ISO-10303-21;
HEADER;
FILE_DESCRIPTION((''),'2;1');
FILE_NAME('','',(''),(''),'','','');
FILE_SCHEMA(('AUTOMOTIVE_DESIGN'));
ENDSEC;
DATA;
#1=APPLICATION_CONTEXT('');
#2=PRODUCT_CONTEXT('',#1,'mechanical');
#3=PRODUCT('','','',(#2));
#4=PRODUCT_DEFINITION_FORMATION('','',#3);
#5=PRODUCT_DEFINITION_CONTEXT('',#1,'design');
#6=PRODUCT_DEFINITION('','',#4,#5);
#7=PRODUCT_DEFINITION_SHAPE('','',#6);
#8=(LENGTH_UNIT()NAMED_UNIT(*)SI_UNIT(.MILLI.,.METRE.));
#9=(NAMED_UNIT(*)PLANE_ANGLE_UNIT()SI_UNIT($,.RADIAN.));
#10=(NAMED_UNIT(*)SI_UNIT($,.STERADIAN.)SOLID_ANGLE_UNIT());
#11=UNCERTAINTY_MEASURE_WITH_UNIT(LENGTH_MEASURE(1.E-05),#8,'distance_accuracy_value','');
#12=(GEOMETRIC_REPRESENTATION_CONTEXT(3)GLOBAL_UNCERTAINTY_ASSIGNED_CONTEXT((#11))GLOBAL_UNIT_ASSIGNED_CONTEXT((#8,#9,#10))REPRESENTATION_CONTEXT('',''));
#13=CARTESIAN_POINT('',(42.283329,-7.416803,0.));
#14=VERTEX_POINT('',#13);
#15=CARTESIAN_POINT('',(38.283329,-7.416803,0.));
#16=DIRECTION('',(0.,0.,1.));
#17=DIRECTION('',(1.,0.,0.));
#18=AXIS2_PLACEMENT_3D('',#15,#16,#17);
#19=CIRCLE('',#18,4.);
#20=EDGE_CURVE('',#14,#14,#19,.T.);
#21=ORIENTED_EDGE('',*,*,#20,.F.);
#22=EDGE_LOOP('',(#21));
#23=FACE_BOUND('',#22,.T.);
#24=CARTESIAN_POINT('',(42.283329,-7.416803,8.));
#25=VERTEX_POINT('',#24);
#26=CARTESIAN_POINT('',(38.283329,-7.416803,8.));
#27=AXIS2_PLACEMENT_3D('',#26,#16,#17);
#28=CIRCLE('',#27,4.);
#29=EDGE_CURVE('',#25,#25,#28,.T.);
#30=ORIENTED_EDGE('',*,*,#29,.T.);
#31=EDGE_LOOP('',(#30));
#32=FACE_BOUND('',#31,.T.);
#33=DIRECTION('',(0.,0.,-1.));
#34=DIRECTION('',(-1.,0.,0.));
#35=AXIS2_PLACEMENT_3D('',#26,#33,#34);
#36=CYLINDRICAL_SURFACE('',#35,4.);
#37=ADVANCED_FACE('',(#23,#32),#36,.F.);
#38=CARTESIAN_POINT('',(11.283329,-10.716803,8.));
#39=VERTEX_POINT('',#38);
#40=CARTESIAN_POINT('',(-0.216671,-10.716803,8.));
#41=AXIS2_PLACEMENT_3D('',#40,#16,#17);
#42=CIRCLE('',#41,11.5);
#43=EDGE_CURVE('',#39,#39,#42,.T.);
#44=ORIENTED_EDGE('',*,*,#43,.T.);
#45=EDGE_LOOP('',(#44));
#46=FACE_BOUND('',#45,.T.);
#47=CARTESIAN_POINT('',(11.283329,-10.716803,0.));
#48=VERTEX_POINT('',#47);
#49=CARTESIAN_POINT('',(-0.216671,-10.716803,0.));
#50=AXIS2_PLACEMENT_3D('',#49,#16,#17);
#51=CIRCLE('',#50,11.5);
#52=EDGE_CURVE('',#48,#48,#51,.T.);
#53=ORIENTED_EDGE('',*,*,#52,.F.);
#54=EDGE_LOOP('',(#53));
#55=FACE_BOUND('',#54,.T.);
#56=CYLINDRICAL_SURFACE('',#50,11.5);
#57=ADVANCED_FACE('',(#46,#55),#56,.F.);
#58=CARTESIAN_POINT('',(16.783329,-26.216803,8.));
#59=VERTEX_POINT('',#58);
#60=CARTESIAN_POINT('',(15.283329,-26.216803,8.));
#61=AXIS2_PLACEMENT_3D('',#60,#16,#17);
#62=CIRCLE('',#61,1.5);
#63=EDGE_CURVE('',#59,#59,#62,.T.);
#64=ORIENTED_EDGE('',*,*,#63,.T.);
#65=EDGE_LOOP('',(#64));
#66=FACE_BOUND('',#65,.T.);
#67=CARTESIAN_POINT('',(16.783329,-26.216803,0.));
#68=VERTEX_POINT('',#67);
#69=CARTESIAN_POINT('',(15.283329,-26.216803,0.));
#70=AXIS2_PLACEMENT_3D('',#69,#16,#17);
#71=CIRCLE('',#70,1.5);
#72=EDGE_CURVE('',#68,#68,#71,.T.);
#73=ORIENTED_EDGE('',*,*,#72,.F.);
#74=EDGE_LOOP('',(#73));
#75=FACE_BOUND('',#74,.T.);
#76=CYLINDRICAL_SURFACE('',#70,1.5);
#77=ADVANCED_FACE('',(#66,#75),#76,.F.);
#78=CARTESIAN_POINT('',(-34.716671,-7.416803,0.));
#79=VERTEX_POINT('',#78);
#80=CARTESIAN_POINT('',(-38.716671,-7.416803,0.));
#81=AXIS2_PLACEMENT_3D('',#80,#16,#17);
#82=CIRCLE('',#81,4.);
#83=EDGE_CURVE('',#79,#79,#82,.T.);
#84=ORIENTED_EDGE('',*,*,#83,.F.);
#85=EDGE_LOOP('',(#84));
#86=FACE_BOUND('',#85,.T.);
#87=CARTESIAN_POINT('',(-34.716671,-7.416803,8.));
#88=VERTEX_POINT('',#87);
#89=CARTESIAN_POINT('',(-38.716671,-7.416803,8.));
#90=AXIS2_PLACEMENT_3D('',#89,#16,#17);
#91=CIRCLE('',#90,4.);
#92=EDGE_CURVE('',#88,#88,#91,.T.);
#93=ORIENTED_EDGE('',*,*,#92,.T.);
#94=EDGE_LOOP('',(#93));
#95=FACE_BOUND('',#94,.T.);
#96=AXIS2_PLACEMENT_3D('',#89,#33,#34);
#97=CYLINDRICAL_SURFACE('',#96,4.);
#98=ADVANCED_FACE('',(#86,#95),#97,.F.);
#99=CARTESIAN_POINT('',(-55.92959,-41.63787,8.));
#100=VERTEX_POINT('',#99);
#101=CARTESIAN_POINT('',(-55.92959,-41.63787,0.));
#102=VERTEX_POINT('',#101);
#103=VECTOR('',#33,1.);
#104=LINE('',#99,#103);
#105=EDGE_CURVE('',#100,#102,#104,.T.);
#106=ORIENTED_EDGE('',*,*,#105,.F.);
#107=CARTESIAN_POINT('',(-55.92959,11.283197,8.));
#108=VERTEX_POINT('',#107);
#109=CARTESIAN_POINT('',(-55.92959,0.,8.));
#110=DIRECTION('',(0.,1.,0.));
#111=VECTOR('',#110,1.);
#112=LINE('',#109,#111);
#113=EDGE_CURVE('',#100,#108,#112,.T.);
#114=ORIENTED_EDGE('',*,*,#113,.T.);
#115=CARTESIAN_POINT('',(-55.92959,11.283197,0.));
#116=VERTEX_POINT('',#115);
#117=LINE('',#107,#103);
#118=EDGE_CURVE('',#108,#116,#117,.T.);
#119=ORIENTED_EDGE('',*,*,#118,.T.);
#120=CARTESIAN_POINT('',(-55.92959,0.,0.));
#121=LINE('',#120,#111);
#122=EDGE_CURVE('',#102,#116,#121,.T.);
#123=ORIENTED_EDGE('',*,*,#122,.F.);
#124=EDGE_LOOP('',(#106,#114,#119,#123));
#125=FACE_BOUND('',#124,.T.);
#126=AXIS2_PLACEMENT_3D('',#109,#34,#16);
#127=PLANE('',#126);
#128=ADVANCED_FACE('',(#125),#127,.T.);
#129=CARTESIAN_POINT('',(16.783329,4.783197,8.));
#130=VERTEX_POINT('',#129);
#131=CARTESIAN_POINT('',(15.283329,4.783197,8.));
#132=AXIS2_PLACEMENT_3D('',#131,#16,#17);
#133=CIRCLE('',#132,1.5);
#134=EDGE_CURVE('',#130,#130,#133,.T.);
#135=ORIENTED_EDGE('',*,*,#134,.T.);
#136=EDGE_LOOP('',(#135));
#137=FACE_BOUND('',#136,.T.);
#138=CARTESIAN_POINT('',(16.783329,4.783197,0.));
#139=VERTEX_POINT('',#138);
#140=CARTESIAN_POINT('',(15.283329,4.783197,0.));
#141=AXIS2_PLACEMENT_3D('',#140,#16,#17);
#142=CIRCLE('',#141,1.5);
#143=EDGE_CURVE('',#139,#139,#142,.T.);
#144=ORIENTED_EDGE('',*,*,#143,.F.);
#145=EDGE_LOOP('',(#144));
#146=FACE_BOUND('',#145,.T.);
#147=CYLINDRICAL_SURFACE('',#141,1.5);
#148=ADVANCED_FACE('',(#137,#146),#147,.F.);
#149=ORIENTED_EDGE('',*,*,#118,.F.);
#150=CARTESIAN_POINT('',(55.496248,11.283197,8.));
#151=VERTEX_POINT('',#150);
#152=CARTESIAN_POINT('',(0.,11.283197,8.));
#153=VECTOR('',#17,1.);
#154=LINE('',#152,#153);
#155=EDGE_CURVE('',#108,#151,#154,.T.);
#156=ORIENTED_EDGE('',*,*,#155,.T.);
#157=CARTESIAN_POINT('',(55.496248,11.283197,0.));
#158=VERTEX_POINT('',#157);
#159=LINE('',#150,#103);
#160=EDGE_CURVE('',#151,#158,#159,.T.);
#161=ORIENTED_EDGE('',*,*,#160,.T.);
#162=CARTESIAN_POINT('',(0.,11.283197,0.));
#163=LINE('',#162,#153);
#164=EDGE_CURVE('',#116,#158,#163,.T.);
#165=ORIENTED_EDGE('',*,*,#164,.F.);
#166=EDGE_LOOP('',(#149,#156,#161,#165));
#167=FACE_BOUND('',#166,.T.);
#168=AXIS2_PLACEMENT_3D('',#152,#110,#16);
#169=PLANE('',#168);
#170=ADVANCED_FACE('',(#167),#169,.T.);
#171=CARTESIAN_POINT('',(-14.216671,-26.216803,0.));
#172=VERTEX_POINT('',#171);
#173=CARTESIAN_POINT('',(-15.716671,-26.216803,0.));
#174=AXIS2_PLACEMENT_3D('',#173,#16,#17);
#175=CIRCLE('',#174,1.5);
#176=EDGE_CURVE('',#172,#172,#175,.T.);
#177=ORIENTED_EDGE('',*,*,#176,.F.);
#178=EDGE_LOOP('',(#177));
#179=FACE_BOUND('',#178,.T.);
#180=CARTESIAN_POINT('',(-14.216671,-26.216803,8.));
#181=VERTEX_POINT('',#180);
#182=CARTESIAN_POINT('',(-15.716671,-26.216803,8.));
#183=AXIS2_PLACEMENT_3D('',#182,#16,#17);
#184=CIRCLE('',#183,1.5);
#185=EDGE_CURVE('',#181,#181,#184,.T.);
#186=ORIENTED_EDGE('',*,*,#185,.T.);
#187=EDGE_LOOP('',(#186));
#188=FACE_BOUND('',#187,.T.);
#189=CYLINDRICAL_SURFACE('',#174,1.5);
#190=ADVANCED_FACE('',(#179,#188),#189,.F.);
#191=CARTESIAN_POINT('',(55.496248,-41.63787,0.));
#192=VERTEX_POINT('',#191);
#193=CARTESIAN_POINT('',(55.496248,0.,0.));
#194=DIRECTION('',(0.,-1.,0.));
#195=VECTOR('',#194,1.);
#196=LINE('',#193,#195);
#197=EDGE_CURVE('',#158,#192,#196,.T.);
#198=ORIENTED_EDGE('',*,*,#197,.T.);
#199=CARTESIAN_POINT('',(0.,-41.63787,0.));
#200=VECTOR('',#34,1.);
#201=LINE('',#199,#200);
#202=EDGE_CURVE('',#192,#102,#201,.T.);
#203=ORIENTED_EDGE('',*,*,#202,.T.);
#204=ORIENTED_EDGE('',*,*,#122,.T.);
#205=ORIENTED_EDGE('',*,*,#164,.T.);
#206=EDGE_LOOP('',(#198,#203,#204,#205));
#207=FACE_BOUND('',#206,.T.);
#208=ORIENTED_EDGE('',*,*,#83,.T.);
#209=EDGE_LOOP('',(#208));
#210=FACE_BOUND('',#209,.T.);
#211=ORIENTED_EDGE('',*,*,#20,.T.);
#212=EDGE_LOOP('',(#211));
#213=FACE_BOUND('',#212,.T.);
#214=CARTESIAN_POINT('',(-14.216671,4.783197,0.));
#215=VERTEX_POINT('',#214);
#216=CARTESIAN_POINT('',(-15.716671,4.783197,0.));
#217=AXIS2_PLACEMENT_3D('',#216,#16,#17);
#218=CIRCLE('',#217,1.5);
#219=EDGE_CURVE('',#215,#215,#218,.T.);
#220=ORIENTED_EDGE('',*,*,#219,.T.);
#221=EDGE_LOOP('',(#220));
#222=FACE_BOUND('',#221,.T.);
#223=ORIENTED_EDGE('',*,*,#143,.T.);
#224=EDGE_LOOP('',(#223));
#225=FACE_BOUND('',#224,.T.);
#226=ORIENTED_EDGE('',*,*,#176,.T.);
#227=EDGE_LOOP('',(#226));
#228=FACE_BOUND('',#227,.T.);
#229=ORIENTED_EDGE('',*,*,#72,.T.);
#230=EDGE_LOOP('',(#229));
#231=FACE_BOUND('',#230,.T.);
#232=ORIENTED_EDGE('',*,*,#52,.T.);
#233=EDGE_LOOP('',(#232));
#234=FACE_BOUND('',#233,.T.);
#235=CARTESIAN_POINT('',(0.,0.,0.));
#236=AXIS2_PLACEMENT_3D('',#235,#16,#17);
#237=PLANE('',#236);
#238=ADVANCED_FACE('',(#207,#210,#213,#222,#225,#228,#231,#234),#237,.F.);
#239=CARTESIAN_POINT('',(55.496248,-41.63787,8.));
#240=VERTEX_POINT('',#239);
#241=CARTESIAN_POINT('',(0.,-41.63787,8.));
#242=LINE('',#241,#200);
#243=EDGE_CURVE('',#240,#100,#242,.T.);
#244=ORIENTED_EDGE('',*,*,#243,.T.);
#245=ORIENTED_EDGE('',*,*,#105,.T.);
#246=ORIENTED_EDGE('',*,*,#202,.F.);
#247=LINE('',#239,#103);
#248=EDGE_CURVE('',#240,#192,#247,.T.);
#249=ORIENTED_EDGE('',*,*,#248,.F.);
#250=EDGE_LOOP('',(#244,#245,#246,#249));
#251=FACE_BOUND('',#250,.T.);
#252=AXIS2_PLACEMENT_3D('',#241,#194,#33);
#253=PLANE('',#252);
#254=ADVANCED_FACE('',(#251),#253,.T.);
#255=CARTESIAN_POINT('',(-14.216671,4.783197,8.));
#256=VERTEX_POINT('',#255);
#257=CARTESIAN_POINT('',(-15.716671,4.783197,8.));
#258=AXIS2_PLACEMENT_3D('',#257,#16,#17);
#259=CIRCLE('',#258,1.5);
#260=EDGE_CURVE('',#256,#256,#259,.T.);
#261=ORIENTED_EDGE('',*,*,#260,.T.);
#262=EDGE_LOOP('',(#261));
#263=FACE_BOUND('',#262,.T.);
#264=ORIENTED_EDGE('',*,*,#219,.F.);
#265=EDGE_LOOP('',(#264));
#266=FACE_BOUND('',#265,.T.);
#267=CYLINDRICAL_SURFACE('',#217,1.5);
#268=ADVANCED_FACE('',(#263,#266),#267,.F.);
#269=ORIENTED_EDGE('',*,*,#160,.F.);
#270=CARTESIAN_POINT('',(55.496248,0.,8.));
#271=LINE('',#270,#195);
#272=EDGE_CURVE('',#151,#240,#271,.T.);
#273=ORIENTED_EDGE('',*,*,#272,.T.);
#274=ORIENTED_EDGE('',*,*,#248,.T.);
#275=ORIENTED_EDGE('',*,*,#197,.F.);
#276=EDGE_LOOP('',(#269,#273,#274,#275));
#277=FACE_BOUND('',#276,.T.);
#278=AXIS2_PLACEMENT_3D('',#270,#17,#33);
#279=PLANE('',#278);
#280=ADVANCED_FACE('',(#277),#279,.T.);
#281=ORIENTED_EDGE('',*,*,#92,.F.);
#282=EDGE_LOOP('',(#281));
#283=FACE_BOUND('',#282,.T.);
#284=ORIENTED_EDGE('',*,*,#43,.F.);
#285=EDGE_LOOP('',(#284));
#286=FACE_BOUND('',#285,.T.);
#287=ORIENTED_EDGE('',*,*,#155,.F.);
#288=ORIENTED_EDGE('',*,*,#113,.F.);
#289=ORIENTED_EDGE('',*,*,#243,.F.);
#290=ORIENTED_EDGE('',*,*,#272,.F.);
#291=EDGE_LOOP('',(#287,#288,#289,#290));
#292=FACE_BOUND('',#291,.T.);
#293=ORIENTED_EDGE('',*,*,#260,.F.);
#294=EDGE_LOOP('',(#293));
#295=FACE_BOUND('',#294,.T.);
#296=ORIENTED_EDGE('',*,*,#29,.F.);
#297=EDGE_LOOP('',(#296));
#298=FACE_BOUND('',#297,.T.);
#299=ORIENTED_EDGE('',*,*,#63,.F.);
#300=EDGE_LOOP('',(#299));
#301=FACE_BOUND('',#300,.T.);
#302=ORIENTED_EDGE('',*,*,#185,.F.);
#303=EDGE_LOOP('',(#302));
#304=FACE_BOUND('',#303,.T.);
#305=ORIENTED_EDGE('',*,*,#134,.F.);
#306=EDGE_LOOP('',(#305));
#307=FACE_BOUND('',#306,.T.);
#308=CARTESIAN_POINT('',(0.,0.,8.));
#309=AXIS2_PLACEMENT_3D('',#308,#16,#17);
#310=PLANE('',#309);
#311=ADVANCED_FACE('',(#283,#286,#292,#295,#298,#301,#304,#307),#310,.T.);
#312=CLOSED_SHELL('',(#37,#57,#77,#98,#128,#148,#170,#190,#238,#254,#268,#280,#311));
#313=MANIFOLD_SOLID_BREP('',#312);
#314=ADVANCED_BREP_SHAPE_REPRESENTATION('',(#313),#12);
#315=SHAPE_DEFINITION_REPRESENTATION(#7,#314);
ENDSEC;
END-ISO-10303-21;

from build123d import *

# Parameters (mm, degrees)
SKETCH1_R           = 4
SKETCH1_R_2         = 5
BOSS_EXTRUDE1_DEPTH = 8
SKETCH2_R           = 11.5
SKETCH2_R_2         = 1.5
CUT_EXTRUDE1_DEPTH  = 9


with BuildPart() as part:
    # Sketch1 → Boss-Extrude1 (new body)
    with BuildSketch(Plane.XY):
        Polygon((-55.929590299, 11.283196531), (55.49624814, 11.283196531), (55.49624814, -41.637870342), (-55.929590299, -41.637870342), (-55.929590299, -36.557898132), align=None)
        with Locations((38.28332892, -7.416803469)):
            Circle(SKETCH1_R, mode=Mode.SUBTRACT)
        with Locations((-0.21667108, -10.716803469)):
            Circle(SKETCH1_R_2, mode=Mode.SUBTRACT)
        with Locations((-38.71667108, -7.416803469)):
            Circle(SKETCH1_R, mode=Mode.SUBTRACT)
    extrude(amount=BOSS_EXTRUDE1_DEPTH)

    # Sketch2 → Cut-Extrude1 (cut, through all)
    with BuildSketch(Plane.XY.offset(8)):
        with Locations((-0.21667108, -10.716803469)):
            Circle(SKETCH2_R)
        with Locations((-15.71667108, -26.216803469)):
            Circle(SKETCH2_R_2)
        with Locations((15.28332892, -26.216803469)):
            Circle(SKETCH2_R_2)
        with Locations((-15.71667108, 4.783196531)):
            Circle(SKETCH2_R_2)
        with Locations((15.28332892, 4.783196531)):
            Circle(SKETCH2_R_2)
    extrude(amount=-CUT_EXTRUDE1_DEPTH, mode=Mode.SUBTRACT)


solid = part.part
